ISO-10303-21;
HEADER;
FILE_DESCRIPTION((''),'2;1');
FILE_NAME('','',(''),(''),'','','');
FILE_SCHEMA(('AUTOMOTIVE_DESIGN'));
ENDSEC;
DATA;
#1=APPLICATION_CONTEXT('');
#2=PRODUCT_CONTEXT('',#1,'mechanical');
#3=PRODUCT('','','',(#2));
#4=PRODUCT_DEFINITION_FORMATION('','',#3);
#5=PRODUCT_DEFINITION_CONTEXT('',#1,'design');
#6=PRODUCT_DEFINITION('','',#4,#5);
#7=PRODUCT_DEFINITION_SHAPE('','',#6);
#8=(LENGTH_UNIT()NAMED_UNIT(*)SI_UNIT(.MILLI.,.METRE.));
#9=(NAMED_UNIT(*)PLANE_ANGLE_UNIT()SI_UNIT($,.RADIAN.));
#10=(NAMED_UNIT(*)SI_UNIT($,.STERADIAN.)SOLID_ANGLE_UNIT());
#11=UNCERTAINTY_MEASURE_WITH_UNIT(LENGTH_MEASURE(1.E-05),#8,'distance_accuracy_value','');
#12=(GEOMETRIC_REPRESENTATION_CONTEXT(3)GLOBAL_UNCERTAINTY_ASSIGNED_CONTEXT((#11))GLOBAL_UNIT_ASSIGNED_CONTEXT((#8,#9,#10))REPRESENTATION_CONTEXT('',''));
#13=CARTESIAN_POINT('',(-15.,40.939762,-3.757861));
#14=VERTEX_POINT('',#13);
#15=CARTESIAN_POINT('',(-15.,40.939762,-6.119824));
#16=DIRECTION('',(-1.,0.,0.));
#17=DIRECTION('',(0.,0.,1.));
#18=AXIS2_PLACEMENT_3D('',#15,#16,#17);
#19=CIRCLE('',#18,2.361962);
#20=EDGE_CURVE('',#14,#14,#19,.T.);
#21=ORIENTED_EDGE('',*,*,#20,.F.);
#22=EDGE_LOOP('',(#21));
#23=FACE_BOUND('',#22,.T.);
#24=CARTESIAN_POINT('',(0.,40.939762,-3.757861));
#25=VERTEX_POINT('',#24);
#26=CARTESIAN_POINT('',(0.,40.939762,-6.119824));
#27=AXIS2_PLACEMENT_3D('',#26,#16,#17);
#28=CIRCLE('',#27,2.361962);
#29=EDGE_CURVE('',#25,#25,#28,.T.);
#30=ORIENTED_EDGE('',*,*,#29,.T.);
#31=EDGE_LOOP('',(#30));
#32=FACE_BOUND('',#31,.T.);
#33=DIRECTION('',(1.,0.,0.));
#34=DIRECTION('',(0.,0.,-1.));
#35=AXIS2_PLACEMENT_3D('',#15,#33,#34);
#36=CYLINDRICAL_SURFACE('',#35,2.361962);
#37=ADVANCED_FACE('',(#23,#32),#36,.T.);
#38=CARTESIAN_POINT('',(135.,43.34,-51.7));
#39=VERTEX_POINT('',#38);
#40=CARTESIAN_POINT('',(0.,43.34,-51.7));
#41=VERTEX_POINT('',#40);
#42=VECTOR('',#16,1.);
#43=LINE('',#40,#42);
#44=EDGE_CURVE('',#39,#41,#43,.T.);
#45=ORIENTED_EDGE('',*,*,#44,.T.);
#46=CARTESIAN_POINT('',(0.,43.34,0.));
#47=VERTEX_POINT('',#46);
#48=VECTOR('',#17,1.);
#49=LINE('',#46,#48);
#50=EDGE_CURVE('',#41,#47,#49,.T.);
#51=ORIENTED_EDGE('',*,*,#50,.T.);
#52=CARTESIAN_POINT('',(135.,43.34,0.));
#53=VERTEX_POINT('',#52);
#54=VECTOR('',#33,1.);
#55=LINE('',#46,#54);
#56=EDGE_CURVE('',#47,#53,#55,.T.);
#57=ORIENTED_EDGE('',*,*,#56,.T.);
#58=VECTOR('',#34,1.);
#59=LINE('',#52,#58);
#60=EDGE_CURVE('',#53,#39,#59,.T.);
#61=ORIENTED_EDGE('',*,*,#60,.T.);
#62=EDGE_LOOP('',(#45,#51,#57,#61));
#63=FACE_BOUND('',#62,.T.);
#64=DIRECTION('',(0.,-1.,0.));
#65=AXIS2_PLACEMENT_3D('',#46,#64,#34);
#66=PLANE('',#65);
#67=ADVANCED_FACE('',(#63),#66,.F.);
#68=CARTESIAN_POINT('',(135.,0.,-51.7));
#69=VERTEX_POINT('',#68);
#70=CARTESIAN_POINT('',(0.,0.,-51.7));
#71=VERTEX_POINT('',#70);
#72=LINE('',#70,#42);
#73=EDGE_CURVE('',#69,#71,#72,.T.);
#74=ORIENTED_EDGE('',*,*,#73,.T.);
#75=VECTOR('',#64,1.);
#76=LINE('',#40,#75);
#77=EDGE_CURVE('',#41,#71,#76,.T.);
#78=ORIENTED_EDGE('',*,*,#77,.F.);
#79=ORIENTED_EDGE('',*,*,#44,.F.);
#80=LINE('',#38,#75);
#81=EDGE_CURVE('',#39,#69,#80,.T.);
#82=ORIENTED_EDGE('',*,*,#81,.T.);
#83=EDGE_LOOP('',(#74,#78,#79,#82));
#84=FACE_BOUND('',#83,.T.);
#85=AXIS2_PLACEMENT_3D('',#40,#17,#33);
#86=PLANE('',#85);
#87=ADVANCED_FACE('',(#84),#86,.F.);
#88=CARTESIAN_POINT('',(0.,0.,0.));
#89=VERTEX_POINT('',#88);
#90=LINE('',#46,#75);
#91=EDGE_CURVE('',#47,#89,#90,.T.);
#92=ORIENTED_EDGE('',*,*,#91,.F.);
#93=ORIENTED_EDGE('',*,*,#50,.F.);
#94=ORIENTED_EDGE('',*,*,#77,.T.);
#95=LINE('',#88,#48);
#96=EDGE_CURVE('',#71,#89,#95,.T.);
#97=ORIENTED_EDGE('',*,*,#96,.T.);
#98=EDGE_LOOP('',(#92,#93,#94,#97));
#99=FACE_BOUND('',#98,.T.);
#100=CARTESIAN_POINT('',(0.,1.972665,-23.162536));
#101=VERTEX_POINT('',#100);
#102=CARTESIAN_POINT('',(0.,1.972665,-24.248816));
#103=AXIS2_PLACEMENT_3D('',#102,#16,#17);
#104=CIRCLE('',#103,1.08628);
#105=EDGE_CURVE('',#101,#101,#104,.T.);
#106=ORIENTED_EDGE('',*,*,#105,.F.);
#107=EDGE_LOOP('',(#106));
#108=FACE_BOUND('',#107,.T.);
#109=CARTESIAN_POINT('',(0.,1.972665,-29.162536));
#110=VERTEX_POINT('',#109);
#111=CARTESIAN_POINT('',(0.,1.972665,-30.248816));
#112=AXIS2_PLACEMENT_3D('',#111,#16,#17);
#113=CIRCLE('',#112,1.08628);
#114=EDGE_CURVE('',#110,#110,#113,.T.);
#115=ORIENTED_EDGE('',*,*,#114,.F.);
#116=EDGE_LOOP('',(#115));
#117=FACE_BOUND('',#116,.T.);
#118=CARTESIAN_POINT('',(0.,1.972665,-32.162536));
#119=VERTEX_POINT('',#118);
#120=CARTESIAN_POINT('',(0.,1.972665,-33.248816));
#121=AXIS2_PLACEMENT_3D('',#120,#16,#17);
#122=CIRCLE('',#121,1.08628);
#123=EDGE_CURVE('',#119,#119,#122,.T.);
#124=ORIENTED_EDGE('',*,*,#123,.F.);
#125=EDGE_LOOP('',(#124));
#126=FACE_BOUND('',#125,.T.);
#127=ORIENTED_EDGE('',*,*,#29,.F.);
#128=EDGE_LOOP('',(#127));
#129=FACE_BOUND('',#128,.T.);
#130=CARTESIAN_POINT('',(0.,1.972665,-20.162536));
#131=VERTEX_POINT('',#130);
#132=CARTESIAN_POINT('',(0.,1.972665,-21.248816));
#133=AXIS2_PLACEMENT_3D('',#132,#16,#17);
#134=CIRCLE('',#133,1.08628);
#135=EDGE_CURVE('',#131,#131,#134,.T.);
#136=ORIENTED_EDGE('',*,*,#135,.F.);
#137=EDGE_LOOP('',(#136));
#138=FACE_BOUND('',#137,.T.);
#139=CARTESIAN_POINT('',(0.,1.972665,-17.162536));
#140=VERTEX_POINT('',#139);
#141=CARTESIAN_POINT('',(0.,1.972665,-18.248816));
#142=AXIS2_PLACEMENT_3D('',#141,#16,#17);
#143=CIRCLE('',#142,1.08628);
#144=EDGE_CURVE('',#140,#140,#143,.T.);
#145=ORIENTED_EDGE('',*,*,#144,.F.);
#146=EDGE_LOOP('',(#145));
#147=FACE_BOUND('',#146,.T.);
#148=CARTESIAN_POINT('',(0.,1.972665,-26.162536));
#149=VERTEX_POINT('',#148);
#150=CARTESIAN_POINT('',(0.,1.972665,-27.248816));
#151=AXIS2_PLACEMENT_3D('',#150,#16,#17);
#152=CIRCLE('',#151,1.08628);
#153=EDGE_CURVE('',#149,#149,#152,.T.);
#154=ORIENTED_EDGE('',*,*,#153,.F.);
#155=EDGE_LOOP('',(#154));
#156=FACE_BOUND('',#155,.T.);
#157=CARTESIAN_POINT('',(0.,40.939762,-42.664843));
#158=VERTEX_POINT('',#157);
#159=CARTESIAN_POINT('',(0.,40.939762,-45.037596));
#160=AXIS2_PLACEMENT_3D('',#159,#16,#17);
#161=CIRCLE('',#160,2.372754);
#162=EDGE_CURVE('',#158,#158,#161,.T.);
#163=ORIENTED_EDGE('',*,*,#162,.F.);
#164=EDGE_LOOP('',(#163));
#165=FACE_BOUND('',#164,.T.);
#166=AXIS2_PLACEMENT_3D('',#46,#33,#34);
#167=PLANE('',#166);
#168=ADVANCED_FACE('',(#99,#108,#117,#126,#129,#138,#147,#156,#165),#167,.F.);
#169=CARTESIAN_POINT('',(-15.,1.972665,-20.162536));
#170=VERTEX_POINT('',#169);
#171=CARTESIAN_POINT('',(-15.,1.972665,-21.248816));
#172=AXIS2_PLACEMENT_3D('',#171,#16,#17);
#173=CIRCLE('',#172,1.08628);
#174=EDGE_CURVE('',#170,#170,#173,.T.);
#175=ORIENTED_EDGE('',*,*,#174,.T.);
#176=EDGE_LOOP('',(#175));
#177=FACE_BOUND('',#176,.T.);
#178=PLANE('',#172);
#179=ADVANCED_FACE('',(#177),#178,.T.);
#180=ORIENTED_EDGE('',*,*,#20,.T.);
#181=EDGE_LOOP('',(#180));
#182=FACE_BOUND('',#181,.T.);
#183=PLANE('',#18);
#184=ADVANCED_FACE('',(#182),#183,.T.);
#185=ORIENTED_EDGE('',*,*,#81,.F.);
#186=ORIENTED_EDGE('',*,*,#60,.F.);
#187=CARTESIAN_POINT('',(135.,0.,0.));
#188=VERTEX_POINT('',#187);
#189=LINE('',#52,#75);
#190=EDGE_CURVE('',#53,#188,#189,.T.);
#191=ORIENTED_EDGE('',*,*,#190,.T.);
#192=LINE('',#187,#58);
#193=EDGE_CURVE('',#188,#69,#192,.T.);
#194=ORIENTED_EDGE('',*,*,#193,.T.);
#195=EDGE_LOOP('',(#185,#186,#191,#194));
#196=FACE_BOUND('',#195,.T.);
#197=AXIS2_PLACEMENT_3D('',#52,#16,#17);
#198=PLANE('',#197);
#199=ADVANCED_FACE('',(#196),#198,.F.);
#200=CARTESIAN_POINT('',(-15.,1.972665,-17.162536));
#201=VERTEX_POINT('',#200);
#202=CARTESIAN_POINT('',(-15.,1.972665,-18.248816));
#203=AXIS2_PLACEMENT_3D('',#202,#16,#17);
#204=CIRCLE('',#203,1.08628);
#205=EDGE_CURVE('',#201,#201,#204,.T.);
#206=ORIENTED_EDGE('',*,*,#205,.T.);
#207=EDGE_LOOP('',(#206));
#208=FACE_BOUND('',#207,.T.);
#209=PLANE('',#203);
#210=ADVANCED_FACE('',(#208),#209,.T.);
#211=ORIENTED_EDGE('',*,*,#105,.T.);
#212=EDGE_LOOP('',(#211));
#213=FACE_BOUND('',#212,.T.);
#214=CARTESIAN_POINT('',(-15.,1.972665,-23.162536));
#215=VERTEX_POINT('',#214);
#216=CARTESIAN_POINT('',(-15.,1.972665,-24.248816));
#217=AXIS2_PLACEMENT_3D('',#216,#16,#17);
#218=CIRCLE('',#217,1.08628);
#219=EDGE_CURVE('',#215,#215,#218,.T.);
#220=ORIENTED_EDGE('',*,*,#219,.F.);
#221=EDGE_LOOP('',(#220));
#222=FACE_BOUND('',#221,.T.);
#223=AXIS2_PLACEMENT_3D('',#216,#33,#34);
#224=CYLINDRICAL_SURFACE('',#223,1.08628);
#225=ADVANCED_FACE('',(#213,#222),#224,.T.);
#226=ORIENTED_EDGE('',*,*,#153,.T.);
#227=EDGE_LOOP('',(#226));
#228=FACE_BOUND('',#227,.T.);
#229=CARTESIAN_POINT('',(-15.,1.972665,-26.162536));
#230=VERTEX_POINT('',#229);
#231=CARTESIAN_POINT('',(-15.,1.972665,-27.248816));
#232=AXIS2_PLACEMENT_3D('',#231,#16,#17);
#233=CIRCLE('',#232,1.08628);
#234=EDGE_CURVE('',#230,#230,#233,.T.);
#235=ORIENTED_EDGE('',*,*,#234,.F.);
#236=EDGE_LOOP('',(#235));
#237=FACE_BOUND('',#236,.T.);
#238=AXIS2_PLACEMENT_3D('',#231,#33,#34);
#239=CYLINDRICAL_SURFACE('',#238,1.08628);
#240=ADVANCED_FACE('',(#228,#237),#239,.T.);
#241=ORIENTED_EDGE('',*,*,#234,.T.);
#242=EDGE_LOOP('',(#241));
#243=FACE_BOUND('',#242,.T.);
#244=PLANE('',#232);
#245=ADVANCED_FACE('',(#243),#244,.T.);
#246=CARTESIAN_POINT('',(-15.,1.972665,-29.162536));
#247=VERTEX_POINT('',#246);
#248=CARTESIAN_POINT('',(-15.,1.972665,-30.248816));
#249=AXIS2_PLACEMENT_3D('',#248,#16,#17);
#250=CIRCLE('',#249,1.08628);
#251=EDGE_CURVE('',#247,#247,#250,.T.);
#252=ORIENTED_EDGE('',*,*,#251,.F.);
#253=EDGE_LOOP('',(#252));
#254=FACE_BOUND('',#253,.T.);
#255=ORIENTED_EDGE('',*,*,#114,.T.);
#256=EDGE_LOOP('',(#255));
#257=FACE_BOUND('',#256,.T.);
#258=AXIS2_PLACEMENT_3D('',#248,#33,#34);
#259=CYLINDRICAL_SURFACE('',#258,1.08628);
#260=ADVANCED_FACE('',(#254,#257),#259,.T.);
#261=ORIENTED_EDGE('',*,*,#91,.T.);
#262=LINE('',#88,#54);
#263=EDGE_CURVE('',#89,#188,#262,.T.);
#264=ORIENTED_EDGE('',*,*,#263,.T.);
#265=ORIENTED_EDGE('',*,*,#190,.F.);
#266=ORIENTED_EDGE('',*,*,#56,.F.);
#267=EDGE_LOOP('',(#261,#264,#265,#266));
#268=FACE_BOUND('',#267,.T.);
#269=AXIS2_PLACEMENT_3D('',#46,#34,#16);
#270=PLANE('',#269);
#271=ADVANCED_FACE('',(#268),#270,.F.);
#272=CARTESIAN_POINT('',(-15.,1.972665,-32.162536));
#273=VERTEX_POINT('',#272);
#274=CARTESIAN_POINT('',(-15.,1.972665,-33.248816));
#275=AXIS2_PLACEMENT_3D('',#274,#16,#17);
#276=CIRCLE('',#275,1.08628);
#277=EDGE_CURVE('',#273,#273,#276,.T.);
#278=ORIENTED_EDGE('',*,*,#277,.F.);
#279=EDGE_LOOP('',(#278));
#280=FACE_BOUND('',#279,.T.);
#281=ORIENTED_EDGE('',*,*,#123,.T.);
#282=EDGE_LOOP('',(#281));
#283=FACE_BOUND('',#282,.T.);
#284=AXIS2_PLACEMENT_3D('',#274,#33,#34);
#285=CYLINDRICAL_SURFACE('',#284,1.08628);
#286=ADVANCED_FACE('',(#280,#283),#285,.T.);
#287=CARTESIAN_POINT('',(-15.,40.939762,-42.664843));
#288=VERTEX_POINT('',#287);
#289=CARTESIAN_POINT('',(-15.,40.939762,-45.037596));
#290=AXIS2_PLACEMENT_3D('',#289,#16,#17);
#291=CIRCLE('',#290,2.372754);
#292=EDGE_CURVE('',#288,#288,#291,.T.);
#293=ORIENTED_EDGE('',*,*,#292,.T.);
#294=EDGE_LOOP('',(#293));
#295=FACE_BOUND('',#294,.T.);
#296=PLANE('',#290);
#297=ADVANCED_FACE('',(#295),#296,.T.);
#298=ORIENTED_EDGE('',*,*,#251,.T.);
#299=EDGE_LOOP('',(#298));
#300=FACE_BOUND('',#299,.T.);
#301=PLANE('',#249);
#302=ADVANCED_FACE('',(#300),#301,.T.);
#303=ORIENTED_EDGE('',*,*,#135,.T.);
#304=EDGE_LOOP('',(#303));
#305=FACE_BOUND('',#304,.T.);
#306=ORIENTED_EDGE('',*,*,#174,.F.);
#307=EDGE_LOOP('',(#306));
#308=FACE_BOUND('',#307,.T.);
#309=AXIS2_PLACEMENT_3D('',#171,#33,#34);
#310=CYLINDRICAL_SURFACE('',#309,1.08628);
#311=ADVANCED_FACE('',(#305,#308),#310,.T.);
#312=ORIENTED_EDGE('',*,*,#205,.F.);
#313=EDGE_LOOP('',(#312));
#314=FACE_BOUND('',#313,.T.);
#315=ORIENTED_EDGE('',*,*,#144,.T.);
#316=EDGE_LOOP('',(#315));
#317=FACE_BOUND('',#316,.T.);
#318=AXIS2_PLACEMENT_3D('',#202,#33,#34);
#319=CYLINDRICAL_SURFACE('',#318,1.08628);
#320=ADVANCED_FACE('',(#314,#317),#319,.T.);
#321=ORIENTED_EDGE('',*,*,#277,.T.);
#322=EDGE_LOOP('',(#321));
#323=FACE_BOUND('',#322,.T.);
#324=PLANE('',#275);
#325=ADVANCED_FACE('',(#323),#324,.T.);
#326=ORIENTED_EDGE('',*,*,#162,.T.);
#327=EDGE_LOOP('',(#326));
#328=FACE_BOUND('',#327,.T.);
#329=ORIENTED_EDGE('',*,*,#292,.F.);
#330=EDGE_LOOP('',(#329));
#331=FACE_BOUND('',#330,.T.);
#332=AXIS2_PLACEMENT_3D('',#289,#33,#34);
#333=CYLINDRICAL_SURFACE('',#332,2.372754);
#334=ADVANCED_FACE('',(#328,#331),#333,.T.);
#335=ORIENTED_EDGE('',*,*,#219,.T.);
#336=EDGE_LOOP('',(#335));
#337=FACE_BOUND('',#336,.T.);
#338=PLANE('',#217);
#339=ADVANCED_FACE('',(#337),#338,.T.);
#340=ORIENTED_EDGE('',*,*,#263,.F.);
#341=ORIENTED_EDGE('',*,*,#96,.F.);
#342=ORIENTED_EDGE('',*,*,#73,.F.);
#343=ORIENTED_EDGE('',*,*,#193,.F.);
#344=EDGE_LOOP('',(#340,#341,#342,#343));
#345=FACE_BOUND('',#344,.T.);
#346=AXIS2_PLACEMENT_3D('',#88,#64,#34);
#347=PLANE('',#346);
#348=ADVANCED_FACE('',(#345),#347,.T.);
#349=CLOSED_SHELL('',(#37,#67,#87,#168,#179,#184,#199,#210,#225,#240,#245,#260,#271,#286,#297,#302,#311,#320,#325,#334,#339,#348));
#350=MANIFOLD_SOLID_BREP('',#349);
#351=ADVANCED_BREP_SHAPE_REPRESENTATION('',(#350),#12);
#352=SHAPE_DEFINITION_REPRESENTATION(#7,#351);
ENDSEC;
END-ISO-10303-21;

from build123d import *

# Parameters (mm, degrees)
SKETCH_1_W      = 135
SKETCH_1_H      = 51.7
EXTRUDE_1_DEPTH = 43.34
SKETCH_2_R      = 1.086280141
SKETCH_2_R_2    = 2.372753638
SKETCH_2_R_3    = 2.361962499
EXTRUDE_2_DEPTH = 15


with BuildPart() as part:
    # 草图1 → 凸台-拉伸1 (new body)
    with BuildSketch(Plane(origin=(0, 0, 0), x_dir=(1, 0, 0), z_dir=(0, 1, 0))):
        with Locations((67.5, 25.85)):
            Rectangle(SKETCH_1_W, SKETCH_1_H)
    extrude(amount=EXTRUDE_1_DEPTH)

    # 草图2 → 凸台-拉伸2 (add)
    with BuildSketch(Plane.ZY):
        with Locations((-33.248816044, 1.972664588)):
            Circle(SKETCH_2_R)
        with Locations((-45.037596274, 40.939762419)):
            Circle(SKETCH_2_R_2)
        with Locations((-6.119823883, 40.939762419)):
            Circle(SKETCH_2_R_3)
        with Locations((-30.248816044, 1.972664588)):
            Circle(SKETCH_2_R)
        with Locations((-27.248816044, 1.972664588)):
            Circle(SKETCH_2_R)
        with Locations((-24.248816044, 1.972664588)):
            Circle(SKETCH_2_R)
        with Locations((-21.248816044, 1.972664588)):
            Circle(SKETCH_2_R)
        with Locations((-18.248816044, 1.972664588)):
            Circle(SKETCH_2_R)
    extrude(amount=EXTRUDE_2_DEPTH)


solid = part.part
